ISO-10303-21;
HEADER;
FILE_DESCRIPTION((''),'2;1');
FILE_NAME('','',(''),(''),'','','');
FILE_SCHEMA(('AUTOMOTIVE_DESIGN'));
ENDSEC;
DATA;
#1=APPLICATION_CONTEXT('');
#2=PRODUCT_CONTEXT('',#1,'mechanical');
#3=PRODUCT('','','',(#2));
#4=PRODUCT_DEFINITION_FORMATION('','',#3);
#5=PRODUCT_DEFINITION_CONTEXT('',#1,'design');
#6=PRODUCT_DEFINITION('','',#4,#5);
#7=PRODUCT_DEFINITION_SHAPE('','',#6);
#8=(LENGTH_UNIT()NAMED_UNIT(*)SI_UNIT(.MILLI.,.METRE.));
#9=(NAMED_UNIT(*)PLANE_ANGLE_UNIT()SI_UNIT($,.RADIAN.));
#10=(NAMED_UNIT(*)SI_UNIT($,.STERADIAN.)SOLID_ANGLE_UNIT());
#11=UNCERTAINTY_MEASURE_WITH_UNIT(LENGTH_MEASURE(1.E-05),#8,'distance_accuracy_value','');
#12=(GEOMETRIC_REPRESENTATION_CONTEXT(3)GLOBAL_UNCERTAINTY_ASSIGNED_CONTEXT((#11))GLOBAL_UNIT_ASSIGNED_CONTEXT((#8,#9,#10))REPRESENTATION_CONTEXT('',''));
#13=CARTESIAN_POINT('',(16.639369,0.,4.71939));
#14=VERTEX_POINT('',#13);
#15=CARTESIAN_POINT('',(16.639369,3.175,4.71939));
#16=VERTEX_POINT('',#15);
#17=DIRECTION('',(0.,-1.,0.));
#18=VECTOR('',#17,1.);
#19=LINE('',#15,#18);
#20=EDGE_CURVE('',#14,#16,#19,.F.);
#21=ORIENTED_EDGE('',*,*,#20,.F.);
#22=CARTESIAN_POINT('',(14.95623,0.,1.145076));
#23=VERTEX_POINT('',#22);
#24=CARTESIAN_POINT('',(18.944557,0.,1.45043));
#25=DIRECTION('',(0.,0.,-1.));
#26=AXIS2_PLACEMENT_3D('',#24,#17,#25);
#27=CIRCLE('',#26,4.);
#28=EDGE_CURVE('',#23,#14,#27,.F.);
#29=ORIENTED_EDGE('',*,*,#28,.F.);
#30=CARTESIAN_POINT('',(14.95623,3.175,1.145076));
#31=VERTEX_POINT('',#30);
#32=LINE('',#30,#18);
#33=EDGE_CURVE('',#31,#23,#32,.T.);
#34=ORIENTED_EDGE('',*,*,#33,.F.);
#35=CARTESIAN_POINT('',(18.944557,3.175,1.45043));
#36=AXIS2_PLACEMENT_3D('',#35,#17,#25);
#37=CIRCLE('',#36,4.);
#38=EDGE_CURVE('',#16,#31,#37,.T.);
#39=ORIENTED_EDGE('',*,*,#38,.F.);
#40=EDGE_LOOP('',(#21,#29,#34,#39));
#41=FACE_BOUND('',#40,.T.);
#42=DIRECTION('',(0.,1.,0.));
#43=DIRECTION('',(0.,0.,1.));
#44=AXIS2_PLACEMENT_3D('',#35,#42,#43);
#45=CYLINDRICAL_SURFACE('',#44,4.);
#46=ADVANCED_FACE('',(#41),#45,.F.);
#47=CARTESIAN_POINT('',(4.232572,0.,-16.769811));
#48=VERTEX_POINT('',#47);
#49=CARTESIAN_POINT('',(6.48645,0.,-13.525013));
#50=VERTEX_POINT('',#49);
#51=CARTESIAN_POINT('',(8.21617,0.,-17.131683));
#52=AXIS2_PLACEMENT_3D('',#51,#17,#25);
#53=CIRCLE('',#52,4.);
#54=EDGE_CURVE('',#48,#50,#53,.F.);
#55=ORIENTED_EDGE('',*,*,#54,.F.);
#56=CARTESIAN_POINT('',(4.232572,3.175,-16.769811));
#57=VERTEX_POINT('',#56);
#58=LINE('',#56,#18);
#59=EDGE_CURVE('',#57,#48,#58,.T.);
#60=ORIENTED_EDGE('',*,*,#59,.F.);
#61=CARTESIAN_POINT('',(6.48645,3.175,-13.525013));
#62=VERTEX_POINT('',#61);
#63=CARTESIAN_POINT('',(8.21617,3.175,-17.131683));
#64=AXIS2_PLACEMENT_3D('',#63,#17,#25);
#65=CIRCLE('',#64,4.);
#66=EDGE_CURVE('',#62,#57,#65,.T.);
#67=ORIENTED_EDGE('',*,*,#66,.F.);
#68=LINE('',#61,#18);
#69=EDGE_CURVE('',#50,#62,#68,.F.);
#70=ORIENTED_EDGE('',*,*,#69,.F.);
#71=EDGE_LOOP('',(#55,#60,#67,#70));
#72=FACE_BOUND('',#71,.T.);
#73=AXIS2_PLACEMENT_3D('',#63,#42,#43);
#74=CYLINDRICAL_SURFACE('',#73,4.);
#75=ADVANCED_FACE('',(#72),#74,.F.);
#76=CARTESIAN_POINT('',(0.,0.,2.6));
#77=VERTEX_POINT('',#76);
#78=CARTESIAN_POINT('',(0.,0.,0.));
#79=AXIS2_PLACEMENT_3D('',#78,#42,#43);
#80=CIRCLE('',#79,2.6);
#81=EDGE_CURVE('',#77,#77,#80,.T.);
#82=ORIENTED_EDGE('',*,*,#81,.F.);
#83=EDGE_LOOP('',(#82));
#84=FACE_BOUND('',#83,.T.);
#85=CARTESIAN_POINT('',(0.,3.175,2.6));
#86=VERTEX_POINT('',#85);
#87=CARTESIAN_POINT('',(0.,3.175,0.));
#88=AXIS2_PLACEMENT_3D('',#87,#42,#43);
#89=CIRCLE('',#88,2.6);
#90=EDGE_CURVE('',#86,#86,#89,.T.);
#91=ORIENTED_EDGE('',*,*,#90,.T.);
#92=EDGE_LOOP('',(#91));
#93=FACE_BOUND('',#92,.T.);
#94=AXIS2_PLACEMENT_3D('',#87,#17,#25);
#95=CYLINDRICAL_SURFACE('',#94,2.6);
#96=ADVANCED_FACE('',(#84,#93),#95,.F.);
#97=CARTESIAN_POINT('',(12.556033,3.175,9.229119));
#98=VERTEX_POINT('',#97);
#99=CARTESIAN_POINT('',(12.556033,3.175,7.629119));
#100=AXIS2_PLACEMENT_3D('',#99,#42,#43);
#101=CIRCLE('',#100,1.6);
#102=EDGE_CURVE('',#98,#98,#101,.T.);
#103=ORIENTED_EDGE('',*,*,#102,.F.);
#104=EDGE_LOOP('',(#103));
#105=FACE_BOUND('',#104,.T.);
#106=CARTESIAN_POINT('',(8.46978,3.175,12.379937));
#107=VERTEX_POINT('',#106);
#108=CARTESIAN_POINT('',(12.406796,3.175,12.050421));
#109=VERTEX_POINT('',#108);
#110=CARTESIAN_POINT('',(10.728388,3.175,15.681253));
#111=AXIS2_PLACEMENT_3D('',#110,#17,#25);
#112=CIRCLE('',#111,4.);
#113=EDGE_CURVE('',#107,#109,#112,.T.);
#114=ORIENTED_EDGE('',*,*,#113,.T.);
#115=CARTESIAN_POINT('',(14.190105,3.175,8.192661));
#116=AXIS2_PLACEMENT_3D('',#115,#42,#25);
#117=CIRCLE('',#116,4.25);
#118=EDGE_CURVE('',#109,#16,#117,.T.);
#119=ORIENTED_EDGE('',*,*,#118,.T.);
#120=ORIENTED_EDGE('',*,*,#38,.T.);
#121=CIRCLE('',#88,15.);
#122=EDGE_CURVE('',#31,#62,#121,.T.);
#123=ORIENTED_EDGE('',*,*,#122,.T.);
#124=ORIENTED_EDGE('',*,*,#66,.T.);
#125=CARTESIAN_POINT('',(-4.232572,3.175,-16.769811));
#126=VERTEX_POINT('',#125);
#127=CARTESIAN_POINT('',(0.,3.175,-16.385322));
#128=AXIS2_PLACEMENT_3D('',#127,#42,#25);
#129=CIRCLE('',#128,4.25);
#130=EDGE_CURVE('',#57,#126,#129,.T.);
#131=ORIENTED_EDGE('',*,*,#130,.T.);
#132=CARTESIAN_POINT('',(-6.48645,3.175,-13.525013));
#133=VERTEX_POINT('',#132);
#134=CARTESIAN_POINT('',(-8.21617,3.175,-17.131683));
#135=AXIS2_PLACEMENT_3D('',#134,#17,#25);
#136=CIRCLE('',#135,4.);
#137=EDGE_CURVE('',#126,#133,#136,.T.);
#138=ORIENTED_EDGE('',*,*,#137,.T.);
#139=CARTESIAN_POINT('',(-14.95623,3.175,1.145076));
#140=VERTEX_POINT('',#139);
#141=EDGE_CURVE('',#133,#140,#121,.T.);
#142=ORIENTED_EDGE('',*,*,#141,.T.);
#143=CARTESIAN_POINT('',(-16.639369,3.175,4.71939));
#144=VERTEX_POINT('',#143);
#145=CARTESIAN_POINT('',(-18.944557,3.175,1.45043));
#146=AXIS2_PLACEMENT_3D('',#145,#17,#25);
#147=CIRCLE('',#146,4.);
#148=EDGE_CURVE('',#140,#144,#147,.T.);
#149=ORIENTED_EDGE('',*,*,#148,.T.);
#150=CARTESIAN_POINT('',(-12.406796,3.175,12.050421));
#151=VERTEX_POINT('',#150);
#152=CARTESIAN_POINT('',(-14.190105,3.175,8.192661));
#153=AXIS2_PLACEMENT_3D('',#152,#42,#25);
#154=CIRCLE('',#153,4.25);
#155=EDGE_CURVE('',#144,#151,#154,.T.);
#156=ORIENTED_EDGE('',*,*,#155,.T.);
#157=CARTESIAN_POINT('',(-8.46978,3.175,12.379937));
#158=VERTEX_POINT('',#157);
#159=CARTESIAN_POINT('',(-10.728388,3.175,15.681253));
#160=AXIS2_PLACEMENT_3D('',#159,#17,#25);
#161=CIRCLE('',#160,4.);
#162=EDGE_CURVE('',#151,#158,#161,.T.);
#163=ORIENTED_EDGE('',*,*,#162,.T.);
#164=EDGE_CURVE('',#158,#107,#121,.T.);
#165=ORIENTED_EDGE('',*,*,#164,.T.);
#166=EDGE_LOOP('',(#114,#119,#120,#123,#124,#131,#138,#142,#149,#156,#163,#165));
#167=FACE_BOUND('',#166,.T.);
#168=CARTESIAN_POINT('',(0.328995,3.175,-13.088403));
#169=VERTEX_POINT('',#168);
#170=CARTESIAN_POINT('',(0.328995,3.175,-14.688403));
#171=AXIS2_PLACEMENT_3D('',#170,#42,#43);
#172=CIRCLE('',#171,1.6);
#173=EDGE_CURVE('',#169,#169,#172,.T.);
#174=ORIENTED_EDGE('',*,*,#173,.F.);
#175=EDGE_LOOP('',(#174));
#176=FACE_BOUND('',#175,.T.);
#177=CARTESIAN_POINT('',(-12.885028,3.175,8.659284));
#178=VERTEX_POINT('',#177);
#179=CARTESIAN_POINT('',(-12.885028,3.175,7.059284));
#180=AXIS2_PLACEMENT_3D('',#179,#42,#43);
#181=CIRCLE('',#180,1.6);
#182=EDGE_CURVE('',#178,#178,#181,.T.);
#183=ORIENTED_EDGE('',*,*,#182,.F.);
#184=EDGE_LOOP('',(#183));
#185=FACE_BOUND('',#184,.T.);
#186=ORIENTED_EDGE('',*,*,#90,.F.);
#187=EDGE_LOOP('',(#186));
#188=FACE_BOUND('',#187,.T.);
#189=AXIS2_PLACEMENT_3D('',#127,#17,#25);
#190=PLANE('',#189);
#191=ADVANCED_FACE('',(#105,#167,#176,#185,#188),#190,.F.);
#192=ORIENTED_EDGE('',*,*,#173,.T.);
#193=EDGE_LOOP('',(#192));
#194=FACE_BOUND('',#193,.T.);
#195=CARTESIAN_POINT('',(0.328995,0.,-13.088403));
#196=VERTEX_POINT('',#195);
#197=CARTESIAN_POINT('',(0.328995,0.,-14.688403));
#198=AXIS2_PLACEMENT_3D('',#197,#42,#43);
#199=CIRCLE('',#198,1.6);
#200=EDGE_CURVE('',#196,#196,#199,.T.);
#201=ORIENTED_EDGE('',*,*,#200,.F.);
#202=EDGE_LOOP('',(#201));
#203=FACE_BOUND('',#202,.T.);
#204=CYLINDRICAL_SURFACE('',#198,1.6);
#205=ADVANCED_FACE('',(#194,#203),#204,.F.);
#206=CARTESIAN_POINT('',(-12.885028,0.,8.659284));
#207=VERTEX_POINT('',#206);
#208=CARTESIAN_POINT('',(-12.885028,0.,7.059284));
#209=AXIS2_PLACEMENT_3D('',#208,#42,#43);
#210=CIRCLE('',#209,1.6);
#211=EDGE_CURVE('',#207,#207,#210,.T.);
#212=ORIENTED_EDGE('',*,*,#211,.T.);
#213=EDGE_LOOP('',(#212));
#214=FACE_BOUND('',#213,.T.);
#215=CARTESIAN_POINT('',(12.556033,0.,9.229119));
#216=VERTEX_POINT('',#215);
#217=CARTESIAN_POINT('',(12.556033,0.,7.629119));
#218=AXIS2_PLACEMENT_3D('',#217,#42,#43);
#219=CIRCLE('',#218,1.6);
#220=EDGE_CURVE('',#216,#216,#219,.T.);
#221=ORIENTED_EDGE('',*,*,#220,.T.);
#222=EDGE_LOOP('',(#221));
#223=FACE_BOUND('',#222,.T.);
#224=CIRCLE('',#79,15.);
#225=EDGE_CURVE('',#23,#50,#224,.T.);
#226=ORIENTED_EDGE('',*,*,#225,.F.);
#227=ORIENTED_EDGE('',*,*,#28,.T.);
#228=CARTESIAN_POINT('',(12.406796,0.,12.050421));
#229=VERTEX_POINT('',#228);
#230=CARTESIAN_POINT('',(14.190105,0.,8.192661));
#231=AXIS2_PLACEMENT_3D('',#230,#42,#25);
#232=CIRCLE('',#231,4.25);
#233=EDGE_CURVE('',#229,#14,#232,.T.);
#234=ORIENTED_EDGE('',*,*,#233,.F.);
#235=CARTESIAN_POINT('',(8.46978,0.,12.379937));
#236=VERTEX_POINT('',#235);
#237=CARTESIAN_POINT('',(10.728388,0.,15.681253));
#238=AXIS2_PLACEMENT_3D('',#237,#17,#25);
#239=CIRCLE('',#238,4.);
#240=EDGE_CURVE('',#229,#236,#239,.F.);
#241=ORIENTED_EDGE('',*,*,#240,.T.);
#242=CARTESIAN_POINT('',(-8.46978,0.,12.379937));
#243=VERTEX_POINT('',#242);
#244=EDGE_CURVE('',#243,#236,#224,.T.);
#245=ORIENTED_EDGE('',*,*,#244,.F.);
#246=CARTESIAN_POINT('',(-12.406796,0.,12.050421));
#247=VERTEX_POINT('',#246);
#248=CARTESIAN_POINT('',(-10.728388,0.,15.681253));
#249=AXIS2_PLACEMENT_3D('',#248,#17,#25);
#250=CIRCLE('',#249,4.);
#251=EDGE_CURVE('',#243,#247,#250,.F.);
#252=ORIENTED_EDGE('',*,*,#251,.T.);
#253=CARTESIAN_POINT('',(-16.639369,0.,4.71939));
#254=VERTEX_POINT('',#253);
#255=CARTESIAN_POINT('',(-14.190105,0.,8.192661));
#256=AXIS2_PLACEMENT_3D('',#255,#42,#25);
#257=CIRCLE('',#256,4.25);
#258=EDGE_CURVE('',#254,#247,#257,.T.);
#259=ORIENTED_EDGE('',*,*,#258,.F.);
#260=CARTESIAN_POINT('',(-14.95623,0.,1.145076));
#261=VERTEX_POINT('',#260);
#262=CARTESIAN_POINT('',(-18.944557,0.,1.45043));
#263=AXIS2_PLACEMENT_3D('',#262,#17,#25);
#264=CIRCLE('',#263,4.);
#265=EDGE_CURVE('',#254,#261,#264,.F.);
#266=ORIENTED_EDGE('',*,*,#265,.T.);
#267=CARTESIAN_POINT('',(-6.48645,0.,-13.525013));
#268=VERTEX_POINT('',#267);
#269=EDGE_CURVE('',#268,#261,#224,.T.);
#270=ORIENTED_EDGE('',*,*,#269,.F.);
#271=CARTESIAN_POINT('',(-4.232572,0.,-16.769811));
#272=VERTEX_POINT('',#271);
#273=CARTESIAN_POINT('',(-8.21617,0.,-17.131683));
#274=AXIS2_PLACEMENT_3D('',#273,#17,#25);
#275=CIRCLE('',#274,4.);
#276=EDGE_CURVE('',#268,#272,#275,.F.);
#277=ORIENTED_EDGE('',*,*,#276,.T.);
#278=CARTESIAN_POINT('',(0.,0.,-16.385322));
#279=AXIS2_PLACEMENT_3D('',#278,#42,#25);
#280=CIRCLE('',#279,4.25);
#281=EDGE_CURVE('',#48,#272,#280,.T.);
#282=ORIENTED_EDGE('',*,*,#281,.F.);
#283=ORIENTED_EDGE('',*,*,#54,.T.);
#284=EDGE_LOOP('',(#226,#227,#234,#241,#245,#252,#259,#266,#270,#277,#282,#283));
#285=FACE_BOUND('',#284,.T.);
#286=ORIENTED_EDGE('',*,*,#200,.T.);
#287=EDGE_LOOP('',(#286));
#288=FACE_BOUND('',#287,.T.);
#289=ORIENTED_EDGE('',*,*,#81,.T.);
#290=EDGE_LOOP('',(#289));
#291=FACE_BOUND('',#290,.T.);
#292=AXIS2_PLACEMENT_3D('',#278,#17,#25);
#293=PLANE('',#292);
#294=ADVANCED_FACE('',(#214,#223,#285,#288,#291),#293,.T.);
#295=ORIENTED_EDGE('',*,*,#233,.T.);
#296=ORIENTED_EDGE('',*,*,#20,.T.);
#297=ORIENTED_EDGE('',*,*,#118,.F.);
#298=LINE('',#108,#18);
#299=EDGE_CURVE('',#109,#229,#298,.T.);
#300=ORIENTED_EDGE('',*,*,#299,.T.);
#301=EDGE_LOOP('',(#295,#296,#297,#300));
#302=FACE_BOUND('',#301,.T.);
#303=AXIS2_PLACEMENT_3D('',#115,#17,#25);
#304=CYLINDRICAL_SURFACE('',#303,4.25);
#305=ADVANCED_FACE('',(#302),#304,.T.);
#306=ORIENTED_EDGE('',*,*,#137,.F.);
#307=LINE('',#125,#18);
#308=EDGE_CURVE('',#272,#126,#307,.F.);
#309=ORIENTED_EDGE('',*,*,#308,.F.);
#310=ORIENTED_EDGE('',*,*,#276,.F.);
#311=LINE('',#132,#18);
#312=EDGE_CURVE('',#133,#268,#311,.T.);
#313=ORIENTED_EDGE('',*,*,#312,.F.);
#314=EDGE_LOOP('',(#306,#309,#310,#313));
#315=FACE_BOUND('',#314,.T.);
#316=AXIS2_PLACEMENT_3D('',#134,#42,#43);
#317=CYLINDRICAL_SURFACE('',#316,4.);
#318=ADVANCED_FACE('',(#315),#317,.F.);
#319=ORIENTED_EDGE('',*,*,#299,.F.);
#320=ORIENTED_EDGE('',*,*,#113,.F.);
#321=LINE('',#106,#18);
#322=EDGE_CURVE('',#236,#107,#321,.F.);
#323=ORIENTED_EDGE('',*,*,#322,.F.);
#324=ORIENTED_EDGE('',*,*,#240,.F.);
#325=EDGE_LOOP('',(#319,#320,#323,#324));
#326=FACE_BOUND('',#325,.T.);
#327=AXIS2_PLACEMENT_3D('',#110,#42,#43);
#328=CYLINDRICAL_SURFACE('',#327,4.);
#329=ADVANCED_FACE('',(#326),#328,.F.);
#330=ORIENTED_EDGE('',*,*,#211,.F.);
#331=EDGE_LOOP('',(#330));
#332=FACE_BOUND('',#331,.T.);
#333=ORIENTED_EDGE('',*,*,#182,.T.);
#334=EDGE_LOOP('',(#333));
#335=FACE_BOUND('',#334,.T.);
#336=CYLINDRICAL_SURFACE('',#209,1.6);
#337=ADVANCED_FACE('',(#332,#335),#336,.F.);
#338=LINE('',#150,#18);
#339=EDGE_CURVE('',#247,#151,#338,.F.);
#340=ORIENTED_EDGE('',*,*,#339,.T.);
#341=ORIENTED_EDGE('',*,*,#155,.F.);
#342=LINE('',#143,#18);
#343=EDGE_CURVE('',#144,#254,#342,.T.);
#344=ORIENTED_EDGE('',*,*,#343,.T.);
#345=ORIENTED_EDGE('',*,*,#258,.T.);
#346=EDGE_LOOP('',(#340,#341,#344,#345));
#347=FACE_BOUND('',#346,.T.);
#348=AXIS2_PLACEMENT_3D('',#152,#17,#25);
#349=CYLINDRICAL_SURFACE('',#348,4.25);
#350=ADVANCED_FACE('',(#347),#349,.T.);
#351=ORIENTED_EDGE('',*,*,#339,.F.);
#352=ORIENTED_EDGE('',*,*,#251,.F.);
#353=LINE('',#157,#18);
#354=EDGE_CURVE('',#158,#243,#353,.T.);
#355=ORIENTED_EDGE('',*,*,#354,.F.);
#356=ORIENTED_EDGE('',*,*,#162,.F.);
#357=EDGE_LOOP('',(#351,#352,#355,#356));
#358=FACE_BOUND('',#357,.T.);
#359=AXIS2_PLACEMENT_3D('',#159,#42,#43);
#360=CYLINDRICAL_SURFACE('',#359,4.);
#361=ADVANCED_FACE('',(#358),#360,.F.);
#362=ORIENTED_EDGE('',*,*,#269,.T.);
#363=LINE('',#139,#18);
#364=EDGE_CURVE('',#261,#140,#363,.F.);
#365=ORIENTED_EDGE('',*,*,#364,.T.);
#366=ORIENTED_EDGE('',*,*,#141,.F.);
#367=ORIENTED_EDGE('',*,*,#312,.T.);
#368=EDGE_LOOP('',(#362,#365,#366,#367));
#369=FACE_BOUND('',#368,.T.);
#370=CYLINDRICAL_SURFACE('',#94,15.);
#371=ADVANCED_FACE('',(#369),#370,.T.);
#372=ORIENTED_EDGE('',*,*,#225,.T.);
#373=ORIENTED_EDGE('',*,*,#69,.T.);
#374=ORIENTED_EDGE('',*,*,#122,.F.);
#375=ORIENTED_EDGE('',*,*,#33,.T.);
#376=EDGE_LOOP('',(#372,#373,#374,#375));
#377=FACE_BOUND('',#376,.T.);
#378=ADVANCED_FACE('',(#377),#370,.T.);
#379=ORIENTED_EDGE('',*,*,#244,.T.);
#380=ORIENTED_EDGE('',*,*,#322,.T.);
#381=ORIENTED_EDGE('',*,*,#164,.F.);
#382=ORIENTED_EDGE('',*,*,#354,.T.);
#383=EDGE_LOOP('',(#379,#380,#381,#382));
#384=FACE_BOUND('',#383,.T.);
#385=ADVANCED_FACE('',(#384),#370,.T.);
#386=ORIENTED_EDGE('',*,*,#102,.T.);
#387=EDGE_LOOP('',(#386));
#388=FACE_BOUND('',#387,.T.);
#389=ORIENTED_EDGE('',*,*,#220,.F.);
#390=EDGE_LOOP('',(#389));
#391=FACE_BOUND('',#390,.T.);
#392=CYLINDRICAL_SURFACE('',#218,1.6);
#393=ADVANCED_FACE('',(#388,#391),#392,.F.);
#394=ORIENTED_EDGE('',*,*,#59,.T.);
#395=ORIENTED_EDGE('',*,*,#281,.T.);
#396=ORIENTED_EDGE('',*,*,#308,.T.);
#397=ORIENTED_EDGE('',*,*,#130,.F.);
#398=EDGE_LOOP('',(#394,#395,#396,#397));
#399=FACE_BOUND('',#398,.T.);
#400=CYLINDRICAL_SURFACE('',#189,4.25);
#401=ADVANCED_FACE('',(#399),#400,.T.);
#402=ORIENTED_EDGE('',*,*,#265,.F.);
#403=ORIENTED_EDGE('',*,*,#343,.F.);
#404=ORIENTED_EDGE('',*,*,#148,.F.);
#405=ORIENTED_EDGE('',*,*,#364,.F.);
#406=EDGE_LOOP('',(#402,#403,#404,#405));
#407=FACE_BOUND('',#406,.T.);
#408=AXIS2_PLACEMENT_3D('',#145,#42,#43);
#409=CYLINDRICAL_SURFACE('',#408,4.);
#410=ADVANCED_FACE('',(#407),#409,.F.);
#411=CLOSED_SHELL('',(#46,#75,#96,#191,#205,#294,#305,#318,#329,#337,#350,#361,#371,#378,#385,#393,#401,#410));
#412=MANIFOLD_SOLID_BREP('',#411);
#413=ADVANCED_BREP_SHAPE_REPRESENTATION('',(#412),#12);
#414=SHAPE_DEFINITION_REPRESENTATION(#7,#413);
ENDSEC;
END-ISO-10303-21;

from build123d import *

# Parameters (mm, degrees)
SKETCH1_R           = 2.6
BOSS_EXTRUDE1_DEPTH = 3.175
FILLET1_R           = 4
SKETCH2_R           = 1.6
CUT_EXTRUDE1_DEPTH  = 4.1750001


with BuildPart() as part:
    # Sketch1 → Boss-Extrude1 (new body)
    with BuildSketch(Plane(origin=(0, 0, 0), x_dir=(1, 0, 0), z_dir=(0, 1, 0))):
        with BuildLine():
            Line((-4.25, 16.385322381), (-4.25, 14.385322381))
            ThreePointArc((-4.25, 14.385322381), (-12.990381057, 7.5), (-14.583054623, -3.512053224))
            Line((-14.583054623, -3.512053224), (-16.315105431, -4.512053224))
            ThreePointArc((-16.315105431, -4.512053224), (-17.870713397, -10.31766119), (-12.065105431, -11.873269156))
            Line((-12.065105431, -11.873269156), (-10.333054623, -10.873269156))
            ThreePointArc((-10.333054623, -10.873269156), (0, -15), (10.333054623, -10.873269156))
            Line((10.333054623, -10.873269156), (12.065105431, -11.873269156))
            ThreePointArc((12.065105431, -11.873269156), (17.870713397, -10.31766119), (16.315105431, -4.512053224))
            Line((16.315105431, -4.512053224), (14.583054623, -3.512053224))
            ThreePointArc((14.583054623, -3.512053224), (12.990381057, 7.5), (4.25, 14.385322381))
            Line((4.25, 14.385322381), (4.25, 16.385322381))
            ThreePointArc((4.25, 16.385322381), (0, 20.635322381), (-4.25, 16.385322381))
        make_face()
        Circle(SKETCH1_R, mode=Mode.SUBTRACT)
    extrude(amount=BOSS_EXTRUDE1_DEPTH)

    # Fillet1
    fillet1_edges = [part.edges().sort_by_distance(p)[0] for p in [
        (-14.583054623, 1.5875, 3.512053224),
        (-4.25, 1.5875, -14.385322381),
        (4.25, 1.5875, -14.385322381),
        (14.583054623, 1.5875, 3.512053224),
        (10.333054623, 1.5875, 10.873269156),
        (-10.333054623, 1.5875, 10.873269156),
    ]]
    fillet(fillet1_edges, radius=FILLET1_R)

    # Sketch2 → Cut-Extrude1 (cut, through all)
    with BuildSketch(Plane(origin=(0, 3.175, 0), x_dir=(1, 0, 0), z_dir=(0, 1, 0))):
        with Locations((-12.88502754, -7.05928361)):
            Circle(SKETCH2_R)
        with Locations((12.556032709, -7.629119373)):
            Circle(SKETCH2_R)
        with Locations((0.328994831, 14.688402983)):
            Circle(SKETCH2_R)
    extrude(amount=-CUT_EXTRUDE1_DEPTH, mode=Mode.SUBTRACT)


solid = part.part
